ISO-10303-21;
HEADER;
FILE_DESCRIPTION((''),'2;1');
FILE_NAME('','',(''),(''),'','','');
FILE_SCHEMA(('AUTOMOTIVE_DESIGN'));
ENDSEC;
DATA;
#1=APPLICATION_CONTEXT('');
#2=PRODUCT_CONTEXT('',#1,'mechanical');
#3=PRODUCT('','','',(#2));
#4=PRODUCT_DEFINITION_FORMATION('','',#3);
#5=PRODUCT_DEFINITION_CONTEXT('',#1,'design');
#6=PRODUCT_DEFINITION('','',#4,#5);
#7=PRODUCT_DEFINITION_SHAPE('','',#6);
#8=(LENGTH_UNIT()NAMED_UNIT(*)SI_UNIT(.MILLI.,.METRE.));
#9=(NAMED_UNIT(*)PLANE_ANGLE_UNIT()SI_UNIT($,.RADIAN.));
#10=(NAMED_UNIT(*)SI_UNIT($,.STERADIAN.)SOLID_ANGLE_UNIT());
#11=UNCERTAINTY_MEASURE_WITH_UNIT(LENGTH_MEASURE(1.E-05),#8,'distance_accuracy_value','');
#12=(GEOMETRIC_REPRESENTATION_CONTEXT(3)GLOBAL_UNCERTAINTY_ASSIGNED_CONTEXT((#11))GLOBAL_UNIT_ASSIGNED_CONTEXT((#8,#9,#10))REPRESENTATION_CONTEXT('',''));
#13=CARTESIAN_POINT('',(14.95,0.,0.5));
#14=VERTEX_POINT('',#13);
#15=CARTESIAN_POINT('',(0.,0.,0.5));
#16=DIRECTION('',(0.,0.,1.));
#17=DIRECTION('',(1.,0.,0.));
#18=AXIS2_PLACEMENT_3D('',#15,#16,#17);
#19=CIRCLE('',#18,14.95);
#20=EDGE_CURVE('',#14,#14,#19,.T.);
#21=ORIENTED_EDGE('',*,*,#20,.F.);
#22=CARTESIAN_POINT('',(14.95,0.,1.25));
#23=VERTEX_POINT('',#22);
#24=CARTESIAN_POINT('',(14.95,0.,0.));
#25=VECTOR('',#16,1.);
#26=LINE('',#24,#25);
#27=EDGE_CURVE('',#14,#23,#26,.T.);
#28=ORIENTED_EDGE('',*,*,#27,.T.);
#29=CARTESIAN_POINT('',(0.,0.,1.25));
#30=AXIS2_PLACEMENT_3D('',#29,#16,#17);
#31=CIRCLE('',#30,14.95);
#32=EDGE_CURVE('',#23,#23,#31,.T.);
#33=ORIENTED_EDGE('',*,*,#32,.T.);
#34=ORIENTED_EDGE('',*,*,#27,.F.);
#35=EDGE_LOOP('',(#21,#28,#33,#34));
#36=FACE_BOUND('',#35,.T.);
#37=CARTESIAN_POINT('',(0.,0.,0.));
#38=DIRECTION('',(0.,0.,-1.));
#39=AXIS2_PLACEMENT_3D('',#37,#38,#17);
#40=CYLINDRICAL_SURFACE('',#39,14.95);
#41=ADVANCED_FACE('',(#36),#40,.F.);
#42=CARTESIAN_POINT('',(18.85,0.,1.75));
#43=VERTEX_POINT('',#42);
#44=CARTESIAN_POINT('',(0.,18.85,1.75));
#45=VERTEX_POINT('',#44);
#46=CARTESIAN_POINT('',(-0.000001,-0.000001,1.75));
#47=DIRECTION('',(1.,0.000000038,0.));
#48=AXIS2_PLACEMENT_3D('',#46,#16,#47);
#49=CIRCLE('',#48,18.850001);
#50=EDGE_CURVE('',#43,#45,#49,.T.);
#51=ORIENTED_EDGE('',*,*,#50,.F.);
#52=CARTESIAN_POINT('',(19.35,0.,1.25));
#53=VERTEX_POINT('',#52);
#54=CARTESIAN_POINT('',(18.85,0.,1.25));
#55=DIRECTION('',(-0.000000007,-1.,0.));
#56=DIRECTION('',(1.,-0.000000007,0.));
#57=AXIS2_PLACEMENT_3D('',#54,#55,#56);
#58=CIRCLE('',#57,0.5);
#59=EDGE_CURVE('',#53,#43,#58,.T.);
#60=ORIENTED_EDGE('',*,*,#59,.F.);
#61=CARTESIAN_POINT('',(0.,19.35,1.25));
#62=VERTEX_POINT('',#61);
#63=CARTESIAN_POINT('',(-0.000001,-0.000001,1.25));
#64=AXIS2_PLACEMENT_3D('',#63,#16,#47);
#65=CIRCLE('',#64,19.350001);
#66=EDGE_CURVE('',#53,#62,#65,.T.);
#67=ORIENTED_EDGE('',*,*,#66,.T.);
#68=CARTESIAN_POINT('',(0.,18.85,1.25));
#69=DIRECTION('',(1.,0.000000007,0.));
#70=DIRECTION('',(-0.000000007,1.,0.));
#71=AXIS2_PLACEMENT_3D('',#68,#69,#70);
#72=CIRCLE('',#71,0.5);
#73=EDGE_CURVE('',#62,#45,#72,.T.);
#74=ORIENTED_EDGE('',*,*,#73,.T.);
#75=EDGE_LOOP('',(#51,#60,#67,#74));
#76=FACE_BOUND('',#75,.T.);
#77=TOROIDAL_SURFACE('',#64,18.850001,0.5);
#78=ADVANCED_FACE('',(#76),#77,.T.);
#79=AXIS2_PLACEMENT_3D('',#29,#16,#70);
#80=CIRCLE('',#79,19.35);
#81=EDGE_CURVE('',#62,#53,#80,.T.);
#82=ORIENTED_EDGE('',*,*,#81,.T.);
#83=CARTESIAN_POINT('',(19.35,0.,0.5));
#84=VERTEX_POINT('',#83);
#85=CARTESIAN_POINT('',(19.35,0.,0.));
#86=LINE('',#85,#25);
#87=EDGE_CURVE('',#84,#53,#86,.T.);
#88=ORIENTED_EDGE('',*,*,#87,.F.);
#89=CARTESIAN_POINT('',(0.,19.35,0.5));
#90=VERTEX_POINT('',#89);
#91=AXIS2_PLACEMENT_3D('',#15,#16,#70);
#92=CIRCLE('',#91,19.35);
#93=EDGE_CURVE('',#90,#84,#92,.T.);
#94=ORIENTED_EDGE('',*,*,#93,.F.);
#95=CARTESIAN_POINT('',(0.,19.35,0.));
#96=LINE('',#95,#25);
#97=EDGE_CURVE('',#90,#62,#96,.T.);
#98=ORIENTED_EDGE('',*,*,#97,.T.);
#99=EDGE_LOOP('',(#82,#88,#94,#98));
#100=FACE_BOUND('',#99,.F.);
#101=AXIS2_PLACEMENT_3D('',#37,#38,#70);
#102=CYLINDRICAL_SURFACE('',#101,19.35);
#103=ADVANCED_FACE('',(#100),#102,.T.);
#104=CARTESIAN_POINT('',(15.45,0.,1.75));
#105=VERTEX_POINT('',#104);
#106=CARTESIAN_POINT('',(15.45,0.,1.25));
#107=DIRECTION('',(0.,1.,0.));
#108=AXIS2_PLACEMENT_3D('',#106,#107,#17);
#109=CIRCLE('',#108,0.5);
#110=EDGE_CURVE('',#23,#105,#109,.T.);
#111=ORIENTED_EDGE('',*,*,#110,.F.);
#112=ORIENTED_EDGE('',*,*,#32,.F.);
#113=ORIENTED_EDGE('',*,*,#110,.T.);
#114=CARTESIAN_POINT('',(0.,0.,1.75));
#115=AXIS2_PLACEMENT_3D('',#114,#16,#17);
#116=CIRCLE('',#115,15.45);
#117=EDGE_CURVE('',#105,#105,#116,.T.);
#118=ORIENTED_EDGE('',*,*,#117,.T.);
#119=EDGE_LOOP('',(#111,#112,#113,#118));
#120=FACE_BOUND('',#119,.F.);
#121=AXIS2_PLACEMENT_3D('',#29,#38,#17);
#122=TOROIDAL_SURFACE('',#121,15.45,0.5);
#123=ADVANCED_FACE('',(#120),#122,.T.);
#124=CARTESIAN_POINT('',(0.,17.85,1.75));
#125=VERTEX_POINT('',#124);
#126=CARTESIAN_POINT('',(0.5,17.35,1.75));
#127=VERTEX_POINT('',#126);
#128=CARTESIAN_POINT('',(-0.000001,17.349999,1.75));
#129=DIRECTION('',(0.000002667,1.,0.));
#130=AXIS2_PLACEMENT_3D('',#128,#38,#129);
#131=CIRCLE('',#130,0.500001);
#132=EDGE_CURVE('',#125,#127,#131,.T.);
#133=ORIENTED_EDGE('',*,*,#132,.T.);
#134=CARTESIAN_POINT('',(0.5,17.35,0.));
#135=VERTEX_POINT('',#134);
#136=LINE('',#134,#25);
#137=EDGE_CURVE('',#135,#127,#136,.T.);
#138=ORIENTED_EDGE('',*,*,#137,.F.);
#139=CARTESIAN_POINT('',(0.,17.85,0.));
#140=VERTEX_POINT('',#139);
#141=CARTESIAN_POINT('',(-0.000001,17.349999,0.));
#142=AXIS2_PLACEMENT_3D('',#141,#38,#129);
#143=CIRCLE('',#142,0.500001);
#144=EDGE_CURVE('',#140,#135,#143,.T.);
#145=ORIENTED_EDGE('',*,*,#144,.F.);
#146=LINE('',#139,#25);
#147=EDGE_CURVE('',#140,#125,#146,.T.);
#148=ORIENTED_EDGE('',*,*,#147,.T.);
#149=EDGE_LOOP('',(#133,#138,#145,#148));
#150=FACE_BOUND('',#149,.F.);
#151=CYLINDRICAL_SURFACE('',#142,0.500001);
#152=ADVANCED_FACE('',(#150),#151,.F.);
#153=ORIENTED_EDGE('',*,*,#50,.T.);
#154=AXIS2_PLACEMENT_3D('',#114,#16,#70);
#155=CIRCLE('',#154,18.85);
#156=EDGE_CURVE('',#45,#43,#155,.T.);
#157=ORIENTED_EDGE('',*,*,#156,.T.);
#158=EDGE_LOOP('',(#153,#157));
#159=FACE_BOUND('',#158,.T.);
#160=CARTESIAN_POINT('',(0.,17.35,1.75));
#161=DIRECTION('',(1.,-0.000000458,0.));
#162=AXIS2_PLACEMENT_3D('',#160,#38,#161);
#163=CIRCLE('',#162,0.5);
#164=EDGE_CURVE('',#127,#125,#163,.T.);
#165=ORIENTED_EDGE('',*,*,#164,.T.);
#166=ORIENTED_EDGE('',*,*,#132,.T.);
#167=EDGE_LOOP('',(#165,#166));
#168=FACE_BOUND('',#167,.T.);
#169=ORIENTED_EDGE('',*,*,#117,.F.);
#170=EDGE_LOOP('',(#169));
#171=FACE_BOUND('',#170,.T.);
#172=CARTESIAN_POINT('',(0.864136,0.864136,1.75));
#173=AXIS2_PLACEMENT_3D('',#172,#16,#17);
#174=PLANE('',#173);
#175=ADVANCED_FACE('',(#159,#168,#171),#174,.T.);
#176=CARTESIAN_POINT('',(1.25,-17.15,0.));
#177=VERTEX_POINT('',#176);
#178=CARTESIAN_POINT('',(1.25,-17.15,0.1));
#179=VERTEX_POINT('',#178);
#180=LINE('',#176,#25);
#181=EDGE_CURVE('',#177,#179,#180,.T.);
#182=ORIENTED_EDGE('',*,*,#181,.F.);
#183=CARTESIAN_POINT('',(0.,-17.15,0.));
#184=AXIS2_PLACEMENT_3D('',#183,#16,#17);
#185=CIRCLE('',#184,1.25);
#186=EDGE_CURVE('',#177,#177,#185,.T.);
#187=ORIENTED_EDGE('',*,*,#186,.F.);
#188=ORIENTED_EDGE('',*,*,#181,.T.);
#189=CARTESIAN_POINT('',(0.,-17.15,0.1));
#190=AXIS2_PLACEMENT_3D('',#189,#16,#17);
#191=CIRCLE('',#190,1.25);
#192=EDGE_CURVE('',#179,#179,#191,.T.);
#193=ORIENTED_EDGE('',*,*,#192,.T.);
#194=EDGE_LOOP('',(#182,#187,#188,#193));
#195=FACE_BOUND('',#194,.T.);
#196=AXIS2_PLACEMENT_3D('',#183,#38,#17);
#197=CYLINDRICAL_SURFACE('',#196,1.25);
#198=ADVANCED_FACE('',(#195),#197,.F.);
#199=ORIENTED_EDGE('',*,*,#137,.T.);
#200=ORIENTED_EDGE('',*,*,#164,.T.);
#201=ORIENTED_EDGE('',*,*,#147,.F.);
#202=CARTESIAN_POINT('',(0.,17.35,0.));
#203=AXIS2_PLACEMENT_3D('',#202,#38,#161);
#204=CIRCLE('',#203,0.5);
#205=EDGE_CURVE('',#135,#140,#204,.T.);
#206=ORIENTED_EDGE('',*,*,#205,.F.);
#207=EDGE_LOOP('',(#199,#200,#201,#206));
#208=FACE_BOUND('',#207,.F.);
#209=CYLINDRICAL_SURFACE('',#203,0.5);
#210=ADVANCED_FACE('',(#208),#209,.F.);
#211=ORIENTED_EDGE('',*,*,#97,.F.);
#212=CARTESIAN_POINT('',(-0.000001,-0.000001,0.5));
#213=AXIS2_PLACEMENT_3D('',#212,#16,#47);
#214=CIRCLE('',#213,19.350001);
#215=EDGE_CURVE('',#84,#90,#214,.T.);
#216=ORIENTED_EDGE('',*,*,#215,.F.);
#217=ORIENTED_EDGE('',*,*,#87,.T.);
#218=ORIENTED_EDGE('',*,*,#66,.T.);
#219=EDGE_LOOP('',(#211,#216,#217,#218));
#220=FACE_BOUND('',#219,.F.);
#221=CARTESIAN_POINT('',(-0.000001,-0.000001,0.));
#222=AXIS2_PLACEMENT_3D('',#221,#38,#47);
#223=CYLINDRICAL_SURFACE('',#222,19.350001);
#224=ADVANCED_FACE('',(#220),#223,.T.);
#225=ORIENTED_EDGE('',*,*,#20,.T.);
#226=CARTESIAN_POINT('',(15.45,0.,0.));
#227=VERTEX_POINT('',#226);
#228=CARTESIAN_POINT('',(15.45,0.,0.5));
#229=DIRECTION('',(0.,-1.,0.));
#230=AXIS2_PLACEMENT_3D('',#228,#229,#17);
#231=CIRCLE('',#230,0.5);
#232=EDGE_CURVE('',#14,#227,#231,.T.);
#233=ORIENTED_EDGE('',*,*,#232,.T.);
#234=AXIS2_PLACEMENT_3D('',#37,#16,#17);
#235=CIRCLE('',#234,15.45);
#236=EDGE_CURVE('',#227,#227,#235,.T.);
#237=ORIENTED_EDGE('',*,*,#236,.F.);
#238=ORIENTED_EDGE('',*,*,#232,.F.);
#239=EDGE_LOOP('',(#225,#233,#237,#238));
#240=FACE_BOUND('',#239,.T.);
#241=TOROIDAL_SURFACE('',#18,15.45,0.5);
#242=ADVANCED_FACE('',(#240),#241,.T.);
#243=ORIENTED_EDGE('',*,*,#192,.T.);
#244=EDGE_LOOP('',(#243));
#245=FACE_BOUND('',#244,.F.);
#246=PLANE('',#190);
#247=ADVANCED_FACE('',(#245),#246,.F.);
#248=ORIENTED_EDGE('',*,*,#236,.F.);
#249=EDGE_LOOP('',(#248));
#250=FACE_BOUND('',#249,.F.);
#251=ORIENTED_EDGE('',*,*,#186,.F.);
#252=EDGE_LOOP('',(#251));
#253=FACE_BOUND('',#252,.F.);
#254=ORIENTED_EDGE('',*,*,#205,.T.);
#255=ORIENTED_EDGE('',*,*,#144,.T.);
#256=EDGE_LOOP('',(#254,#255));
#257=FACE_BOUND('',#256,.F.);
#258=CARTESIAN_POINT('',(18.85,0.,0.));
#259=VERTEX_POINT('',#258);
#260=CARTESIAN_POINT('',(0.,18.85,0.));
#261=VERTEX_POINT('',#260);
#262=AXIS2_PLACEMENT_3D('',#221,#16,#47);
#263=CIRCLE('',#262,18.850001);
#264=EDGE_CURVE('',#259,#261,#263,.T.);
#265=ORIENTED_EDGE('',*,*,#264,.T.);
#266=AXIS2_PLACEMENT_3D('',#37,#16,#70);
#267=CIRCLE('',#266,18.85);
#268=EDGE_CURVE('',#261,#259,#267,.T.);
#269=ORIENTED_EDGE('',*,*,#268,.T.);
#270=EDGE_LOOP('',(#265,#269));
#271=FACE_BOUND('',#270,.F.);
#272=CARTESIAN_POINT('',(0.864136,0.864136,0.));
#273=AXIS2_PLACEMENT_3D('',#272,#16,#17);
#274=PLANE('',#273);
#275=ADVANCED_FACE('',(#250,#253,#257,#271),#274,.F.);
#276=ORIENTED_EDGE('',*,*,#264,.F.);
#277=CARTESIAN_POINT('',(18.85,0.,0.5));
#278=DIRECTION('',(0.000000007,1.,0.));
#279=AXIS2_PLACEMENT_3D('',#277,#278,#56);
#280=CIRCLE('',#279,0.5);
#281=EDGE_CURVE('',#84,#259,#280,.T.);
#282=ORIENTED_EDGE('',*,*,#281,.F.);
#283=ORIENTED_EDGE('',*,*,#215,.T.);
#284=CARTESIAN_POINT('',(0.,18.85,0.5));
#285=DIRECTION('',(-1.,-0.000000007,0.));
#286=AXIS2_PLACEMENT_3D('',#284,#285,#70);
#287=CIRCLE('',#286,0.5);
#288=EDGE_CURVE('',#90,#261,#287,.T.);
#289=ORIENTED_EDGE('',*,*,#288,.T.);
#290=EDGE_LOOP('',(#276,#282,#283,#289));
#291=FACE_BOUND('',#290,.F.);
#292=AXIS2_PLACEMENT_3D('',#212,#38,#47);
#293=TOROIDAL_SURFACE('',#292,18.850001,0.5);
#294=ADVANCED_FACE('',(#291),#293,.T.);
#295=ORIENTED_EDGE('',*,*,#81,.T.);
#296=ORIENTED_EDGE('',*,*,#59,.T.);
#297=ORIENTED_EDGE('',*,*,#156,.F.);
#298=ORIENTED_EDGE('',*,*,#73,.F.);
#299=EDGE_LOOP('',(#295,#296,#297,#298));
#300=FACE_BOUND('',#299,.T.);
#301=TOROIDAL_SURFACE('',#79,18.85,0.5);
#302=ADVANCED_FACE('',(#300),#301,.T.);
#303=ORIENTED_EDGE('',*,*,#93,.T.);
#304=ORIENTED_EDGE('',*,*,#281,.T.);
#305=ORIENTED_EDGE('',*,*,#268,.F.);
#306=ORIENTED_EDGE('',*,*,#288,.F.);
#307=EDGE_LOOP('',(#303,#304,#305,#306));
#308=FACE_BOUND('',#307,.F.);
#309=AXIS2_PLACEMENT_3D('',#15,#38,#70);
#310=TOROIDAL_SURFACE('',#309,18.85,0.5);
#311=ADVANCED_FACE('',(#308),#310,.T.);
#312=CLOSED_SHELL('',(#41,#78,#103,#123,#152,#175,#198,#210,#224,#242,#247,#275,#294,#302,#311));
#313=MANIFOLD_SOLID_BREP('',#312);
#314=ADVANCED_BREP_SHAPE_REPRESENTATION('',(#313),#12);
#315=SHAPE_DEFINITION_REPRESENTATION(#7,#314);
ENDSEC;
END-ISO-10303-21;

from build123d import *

# Parameters (mm, degrees)
F0_R     = 1.25
F0_R_2   = 14.95
F1_DEPTH = 1.75
F2_R     = 0.5
F3_DEPTH = 0.1


with BuildPart() as f1:
    # F0 (on Top) → F1 (new body)
    with BuildSketch(Plane.XY):
        with BuildLine():
            ThreePointArc((0, 19.35), (-13.682516, -13.682516), (19.35, 0))
            ThreePointArc((19.35, 0), (13.682516, 13.682516), (0, 19.35))
        make_face()
        with Locations((0, -17.15)):
            Circle(F0_R, mode=Mode.SUBTRACT)
        Circle(F0_R_2, mode=Mode.SUBTRACT)
        with BuildLine():
            ThreePointArc((0.5, 17.35), (-0.353553, 16.996447), (0, 17.85))
            ThreePointArc((0, 17.85), (0.353553, 17.703553), (0.5, 17.35))
        make_face(mode=Mode.SUBTRACT)
        with Locations((0, -17.15)):
            Circle(F0_R)
    extrude(amount=F1_DEPTH)

    # F2
    f2_edges = [f1.edges().sort_by_distance(p)[0] for p in [
        (-19.35, 0, 1.75),
        (-14.95, 0, 1.75),
        (-19.35, 0, 0),
        (-14.95, 0, 0),
    ]]
    fillet(f2_edges, radius=F2_R)

    # F0 (on Top) → F3 (cut)
    with BuildSketch(Plane.XY):
        with Locations((0, -17.15)):
            Circle(F0_R)
    extrude(amount=F3_DEPTH, mode=Mode.SUBTRACT)


solid = f1.part
